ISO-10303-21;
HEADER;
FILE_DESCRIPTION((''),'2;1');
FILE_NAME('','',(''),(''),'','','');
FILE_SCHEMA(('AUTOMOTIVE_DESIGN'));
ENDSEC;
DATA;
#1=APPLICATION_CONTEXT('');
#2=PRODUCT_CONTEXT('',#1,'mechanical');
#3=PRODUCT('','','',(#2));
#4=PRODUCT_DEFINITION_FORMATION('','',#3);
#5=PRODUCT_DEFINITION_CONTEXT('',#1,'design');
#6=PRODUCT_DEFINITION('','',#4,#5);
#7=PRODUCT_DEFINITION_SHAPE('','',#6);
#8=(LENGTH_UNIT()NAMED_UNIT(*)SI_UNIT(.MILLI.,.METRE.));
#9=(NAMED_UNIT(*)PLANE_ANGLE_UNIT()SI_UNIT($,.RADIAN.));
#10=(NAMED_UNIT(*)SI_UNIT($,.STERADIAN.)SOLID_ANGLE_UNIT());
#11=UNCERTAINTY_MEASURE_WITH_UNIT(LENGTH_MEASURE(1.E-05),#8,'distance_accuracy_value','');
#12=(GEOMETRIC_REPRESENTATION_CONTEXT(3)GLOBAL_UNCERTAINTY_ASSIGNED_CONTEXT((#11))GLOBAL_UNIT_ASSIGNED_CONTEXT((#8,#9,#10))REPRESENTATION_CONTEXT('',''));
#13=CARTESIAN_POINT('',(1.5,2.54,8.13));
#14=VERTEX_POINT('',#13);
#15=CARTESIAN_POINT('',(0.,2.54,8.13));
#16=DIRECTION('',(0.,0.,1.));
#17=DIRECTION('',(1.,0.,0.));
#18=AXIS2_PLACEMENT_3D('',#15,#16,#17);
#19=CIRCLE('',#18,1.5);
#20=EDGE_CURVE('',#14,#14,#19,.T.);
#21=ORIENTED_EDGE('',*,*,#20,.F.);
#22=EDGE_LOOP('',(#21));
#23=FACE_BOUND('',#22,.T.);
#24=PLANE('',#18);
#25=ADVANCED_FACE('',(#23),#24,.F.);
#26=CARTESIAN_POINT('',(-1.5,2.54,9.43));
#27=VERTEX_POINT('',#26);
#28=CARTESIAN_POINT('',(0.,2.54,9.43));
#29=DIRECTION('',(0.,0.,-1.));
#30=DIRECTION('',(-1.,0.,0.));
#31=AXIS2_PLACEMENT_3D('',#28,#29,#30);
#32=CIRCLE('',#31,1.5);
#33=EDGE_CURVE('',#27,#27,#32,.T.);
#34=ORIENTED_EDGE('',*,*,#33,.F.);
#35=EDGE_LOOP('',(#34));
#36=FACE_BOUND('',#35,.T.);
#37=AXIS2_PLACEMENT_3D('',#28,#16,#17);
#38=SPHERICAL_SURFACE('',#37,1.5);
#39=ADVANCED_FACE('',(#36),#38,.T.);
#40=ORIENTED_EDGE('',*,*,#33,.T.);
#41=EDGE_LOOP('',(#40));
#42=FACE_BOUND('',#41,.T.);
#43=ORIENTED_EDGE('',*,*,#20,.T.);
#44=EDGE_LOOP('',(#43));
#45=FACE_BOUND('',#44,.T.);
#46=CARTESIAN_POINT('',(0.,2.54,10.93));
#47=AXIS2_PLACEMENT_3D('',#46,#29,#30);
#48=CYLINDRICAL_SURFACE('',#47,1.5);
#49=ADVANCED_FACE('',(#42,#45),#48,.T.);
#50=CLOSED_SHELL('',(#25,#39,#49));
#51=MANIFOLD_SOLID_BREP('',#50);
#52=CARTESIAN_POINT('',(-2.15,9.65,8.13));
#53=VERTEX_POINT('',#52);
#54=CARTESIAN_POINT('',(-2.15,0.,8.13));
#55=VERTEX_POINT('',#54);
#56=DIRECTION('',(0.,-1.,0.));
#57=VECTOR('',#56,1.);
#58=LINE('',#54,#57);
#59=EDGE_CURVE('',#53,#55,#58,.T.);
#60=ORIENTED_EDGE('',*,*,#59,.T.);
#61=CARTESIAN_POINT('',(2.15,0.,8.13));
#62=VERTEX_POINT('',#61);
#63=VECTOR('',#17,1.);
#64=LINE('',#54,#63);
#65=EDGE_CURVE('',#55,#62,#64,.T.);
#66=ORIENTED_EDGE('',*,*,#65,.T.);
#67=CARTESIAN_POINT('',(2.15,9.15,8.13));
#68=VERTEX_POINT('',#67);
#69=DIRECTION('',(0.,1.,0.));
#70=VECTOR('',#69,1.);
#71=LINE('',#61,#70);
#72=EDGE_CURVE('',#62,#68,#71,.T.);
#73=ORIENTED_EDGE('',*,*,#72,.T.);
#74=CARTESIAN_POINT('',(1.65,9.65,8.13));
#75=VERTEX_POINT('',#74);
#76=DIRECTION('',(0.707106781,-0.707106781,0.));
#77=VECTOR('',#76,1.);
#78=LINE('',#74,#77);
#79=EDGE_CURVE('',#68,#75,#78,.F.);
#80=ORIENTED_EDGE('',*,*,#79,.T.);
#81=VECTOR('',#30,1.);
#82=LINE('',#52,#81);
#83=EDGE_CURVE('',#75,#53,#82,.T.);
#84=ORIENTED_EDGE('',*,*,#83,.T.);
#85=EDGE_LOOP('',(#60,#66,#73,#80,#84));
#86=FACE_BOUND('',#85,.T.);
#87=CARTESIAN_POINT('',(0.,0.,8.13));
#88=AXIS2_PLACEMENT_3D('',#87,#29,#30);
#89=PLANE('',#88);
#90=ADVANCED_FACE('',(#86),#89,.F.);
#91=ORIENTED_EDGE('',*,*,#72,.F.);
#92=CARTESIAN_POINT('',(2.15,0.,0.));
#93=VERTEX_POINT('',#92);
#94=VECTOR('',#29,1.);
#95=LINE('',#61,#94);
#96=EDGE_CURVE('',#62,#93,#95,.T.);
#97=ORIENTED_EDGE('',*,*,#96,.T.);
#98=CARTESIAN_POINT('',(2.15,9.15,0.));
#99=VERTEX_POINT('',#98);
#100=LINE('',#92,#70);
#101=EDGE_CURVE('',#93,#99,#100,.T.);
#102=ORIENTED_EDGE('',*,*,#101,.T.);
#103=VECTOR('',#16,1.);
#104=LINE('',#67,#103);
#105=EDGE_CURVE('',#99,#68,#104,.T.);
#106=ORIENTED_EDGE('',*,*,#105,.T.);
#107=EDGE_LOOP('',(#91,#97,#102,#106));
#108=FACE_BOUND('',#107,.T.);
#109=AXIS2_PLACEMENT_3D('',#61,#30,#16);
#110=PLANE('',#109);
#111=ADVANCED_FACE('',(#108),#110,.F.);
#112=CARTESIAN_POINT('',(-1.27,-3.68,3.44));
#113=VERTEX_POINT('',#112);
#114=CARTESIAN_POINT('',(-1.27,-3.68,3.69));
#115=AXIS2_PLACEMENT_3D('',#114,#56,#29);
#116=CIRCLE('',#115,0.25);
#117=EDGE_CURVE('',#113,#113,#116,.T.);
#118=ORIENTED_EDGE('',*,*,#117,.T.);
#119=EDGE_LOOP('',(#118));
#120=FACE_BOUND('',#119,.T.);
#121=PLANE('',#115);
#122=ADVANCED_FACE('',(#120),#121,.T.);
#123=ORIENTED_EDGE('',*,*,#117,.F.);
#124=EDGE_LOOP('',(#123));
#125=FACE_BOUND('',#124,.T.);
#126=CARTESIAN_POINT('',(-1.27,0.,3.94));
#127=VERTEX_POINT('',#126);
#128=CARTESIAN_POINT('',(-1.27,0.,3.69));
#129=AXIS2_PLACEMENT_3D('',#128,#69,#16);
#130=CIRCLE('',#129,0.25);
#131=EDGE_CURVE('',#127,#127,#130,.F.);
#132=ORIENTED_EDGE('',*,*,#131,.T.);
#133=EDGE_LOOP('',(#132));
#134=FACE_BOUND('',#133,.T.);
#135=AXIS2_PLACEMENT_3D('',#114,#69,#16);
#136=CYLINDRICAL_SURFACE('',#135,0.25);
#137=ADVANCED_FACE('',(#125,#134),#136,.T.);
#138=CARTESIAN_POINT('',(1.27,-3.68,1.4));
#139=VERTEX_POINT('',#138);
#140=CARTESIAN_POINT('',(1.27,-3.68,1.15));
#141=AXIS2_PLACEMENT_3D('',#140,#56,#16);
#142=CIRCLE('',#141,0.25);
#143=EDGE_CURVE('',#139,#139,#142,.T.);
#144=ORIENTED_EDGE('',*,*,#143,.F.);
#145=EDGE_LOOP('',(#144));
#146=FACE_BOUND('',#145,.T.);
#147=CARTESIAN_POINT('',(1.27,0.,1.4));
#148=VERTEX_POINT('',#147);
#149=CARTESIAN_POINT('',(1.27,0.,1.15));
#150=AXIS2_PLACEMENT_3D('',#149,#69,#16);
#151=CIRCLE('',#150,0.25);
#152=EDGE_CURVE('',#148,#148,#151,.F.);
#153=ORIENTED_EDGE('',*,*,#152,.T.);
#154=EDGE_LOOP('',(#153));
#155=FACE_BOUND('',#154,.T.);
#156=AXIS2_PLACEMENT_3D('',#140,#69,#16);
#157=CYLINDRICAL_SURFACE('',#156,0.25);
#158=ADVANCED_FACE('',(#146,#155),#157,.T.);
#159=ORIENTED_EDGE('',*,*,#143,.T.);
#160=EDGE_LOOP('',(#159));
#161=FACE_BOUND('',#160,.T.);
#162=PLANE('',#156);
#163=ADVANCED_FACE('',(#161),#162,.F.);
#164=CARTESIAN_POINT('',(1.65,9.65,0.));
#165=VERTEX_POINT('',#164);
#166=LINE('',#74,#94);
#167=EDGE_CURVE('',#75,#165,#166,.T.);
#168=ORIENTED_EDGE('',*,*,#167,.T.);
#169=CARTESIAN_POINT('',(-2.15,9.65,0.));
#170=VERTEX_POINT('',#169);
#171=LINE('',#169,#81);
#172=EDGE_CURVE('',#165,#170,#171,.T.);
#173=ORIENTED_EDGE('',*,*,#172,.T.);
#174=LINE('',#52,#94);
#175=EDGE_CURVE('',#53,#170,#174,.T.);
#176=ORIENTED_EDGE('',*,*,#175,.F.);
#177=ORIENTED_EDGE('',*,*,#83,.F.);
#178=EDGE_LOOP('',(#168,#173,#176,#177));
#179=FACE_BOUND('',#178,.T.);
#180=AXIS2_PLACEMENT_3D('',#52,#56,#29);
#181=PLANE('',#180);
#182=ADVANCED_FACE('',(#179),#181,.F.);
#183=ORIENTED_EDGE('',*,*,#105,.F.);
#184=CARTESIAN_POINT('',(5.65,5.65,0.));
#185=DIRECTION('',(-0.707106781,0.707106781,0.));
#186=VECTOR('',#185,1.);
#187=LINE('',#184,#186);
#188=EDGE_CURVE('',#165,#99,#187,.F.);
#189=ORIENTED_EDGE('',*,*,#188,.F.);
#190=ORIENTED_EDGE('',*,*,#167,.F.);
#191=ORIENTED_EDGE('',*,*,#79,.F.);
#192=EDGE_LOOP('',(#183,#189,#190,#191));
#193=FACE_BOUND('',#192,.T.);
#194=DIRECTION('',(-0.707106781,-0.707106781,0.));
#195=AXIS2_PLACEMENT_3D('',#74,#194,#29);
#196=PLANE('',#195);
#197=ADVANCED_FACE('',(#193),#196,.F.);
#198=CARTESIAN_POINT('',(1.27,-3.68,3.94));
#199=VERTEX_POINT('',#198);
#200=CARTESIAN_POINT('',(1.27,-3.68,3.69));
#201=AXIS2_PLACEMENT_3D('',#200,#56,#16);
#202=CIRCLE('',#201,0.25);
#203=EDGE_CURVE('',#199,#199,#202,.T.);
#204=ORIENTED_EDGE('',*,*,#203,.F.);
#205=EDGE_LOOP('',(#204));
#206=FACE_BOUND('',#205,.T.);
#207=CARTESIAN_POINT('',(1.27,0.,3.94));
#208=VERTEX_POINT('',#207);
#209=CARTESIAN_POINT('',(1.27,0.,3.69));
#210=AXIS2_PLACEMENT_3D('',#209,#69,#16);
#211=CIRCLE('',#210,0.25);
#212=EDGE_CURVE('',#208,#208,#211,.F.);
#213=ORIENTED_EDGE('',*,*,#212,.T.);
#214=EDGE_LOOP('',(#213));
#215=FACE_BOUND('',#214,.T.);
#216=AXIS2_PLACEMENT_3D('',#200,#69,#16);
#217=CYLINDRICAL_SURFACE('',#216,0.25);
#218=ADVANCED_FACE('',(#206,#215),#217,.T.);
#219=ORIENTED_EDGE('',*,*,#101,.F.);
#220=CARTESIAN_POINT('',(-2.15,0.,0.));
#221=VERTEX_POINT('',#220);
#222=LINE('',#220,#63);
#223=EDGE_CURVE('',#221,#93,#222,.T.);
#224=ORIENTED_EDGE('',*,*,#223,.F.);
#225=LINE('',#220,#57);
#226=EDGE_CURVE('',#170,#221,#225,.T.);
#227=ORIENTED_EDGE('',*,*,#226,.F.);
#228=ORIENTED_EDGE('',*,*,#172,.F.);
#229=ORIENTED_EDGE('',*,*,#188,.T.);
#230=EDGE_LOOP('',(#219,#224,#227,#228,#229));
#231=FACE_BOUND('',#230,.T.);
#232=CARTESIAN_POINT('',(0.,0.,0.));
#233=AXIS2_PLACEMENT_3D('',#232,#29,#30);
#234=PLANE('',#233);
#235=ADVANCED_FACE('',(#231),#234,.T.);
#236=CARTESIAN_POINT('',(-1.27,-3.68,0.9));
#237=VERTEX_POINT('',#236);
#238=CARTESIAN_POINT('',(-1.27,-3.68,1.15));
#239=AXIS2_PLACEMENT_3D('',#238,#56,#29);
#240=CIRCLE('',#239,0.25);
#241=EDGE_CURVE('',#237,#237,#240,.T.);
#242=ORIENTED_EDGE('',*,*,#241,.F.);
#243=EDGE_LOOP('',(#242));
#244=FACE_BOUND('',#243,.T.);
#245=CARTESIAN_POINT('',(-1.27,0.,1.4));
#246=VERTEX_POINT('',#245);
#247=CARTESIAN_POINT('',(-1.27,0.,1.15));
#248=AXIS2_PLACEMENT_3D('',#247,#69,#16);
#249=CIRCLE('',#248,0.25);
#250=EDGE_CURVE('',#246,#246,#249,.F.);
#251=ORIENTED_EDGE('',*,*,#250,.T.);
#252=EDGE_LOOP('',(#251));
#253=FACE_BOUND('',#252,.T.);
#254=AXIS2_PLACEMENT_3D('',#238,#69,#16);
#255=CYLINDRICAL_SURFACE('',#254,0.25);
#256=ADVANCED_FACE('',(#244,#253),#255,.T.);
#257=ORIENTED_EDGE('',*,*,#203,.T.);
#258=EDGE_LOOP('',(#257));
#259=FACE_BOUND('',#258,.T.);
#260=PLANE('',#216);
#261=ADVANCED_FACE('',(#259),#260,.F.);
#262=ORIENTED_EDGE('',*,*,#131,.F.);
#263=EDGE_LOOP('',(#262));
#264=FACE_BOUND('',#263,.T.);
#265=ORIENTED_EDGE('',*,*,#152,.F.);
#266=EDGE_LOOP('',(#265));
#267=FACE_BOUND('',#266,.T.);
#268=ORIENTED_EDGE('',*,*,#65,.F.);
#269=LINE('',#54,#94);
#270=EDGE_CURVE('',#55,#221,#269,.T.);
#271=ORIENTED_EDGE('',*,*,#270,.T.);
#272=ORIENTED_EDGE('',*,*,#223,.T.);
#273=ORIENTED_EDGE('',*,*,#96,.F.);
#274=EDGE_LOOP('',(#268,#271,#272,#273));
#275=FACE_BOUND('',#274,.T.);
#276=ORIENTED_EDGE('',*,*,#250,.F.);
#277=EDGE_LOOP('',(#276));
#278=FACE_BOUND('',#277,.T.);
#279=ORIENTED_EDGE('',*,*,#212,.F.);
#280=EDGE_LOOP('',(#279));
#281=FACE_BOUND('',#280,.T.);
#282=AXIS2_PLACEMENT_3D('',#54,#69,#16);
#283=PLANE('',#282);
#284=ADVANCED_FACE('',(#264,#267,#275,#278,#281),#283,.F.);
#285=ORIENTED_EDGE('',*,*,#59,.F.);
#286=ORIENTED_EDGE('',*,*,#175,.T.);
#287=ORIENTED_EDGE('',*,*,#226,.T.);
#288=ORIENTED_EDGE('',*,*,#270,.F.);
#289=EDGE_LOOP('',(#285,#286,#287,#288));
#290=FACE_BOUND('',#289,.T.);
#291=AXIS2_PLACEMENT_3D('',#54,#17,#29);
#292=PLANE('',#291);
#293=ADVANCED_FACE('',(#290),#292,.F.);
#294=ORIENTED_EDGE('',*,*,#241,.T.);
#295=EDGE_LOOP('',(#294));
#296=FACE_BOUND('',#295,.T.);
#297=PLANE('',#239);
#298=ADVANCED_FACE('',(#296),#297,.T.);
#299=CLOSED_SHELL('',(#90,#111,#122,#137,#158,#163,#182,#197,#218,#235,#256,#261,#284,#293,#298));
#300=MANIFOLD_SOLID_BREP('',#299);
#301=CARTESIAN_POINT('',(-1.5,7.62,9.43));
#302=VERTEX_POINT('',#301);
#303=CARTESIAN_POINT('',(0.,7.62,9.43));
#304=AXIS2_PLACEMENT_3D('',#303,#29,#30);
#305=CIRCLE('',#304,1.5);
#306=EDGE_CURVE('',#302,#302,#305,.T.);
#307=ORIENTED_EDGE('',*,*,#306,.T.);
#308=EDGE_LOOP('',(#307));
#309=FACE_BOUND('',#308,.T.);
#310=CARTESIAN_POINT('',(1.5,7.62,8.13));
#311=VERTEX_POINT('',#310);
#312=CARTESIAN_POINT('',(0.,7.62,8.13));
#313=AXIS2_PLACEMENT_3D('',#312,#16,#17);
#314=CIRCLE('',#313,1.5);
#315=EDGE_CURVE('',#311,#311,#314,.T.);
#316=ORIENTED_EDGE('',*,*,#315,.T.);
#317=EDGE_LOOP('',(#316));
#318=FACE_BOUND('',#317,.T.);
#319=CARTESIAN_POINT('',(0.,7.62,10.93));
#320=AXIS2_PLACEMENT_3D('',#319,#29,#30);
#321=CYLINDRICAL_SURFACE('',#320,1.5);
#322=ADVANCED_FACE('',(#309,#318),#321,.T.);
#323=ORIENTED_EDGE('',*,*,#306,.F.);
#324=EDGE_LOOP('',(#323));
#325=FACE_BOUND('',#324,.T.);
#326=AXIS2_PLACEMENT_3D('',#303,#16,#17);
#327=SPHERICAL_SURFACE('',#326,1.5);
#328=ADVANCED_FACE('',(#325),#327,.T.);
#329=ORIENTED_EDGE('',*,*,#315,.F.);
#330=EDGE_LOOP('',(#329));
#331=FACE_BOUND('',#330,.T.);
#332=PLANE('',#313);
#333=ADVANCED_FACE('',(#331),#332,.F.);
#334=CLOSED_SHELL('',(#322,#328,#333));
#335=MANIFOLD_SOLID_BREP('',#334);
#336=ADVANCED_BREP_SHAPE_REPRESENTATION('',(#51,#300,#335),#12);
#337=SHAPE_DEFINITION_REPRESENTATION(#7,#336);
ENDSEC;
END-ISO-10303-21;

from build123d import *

# Parameters (mm, degrees)
ESQUISSE1_W          = 4.3
ESQUISSE1_H          = 9.65
BOSS_EXTRU_1_DEPTH   = 8.13
ESQUISSE2_R          = 1.5
BOSS_EXTRU_2_DEPTH   = 2.8
BOSS_EXTRU_2_2_DEPTH = 2.8
CONG_1_R             = 1.5
CONG_2_R             = 1.5
CHANFREIN1_SIZE      = 0.5
ESQUISSE3_R          = 0.25
BOSS_EXTRU_3_DEPTH   = 3.68


with BuildPart() as part:
    # Esquisse1 → Boss.-Extru.1 (new body)
    with BuildSketch(Plane.XY):
        with Locations((0, 4.825)):
            Rectangle(ESQUISSE1_W, ESQUISSE1_H)
    extrude(amount=BOSS_EXTRU_1_DEPTH)

    # Chanfrein1
    chanfrein1_edges = [part.edges().sort_by_distance(p)[0] for p in [
        (2.15, 9.65, 4.065),
    ]]
    chamfer(chanfrein1_edges, length=CHANFREIN1_SIZE)

    # Esquisse3 → Boss.-Extru.3 (add)
    with BuildSketch(Plane.XZ):
        with Locations(Location((-1.27, 3.69, 0), (0, 0, 90))):
            Circle(ESQUISSE3_R)
        with Locations(Location((1.27, 3.69, 0), (0, 0, 90))):
            Circle(ESQUISSE3_R)
        with Locations(Location((-1.27, 1.15, 0), (0, 0, 90))):
            Circle(ESQUISSE3_R)
        with Locations(Location((1.27, 1.15, 0), (0, 0, 90))):
            Circle(ESQUISSE3_R)
    extrude(amount=BOSS_EXTRU_3_DEPTH)


with BuildPart() as body_2:
    # Esquisse2 → Boss.-Extru.2 (new body)
    with BuildSketch(Plane.XY.offset(8.13)):
        with Locations((0, 7.62)):
            Circle(ESQUISSE2_R)
    extrude(amount=BOSS_EXTRU_2_DEPTH)

    # Congé1
    cong_1_edges = [body_2.edges().sort_by_distance(p)[0] for p in [
        (-1.5, 7.62, 10.93),
    ]]
    fillet(cong_1_edges, radius=CONG_1_R)


with BuildPart() as body_3:
    # Esquisse2 → Boss.-Extru.2 2 (new body)
    with BuildSketch(Plane.XY.offset(8.13)):
        with Locations((0, 2.54)):
            Circle(ESQUISSE2_R)
    extrude(amount=BOSS_EXTRU_2_2_DEPTH)

    # Congé2
    cong_2_edges = [body_3.edges().sort_by_distance(p)[0] for p in [
        (-1.5, 2.54, 10.93),
    ]]
    fillet(cong_2_edges, radius=CONG_2_R)


solid = Compound([part.part, body_2.part, body_3.part])
